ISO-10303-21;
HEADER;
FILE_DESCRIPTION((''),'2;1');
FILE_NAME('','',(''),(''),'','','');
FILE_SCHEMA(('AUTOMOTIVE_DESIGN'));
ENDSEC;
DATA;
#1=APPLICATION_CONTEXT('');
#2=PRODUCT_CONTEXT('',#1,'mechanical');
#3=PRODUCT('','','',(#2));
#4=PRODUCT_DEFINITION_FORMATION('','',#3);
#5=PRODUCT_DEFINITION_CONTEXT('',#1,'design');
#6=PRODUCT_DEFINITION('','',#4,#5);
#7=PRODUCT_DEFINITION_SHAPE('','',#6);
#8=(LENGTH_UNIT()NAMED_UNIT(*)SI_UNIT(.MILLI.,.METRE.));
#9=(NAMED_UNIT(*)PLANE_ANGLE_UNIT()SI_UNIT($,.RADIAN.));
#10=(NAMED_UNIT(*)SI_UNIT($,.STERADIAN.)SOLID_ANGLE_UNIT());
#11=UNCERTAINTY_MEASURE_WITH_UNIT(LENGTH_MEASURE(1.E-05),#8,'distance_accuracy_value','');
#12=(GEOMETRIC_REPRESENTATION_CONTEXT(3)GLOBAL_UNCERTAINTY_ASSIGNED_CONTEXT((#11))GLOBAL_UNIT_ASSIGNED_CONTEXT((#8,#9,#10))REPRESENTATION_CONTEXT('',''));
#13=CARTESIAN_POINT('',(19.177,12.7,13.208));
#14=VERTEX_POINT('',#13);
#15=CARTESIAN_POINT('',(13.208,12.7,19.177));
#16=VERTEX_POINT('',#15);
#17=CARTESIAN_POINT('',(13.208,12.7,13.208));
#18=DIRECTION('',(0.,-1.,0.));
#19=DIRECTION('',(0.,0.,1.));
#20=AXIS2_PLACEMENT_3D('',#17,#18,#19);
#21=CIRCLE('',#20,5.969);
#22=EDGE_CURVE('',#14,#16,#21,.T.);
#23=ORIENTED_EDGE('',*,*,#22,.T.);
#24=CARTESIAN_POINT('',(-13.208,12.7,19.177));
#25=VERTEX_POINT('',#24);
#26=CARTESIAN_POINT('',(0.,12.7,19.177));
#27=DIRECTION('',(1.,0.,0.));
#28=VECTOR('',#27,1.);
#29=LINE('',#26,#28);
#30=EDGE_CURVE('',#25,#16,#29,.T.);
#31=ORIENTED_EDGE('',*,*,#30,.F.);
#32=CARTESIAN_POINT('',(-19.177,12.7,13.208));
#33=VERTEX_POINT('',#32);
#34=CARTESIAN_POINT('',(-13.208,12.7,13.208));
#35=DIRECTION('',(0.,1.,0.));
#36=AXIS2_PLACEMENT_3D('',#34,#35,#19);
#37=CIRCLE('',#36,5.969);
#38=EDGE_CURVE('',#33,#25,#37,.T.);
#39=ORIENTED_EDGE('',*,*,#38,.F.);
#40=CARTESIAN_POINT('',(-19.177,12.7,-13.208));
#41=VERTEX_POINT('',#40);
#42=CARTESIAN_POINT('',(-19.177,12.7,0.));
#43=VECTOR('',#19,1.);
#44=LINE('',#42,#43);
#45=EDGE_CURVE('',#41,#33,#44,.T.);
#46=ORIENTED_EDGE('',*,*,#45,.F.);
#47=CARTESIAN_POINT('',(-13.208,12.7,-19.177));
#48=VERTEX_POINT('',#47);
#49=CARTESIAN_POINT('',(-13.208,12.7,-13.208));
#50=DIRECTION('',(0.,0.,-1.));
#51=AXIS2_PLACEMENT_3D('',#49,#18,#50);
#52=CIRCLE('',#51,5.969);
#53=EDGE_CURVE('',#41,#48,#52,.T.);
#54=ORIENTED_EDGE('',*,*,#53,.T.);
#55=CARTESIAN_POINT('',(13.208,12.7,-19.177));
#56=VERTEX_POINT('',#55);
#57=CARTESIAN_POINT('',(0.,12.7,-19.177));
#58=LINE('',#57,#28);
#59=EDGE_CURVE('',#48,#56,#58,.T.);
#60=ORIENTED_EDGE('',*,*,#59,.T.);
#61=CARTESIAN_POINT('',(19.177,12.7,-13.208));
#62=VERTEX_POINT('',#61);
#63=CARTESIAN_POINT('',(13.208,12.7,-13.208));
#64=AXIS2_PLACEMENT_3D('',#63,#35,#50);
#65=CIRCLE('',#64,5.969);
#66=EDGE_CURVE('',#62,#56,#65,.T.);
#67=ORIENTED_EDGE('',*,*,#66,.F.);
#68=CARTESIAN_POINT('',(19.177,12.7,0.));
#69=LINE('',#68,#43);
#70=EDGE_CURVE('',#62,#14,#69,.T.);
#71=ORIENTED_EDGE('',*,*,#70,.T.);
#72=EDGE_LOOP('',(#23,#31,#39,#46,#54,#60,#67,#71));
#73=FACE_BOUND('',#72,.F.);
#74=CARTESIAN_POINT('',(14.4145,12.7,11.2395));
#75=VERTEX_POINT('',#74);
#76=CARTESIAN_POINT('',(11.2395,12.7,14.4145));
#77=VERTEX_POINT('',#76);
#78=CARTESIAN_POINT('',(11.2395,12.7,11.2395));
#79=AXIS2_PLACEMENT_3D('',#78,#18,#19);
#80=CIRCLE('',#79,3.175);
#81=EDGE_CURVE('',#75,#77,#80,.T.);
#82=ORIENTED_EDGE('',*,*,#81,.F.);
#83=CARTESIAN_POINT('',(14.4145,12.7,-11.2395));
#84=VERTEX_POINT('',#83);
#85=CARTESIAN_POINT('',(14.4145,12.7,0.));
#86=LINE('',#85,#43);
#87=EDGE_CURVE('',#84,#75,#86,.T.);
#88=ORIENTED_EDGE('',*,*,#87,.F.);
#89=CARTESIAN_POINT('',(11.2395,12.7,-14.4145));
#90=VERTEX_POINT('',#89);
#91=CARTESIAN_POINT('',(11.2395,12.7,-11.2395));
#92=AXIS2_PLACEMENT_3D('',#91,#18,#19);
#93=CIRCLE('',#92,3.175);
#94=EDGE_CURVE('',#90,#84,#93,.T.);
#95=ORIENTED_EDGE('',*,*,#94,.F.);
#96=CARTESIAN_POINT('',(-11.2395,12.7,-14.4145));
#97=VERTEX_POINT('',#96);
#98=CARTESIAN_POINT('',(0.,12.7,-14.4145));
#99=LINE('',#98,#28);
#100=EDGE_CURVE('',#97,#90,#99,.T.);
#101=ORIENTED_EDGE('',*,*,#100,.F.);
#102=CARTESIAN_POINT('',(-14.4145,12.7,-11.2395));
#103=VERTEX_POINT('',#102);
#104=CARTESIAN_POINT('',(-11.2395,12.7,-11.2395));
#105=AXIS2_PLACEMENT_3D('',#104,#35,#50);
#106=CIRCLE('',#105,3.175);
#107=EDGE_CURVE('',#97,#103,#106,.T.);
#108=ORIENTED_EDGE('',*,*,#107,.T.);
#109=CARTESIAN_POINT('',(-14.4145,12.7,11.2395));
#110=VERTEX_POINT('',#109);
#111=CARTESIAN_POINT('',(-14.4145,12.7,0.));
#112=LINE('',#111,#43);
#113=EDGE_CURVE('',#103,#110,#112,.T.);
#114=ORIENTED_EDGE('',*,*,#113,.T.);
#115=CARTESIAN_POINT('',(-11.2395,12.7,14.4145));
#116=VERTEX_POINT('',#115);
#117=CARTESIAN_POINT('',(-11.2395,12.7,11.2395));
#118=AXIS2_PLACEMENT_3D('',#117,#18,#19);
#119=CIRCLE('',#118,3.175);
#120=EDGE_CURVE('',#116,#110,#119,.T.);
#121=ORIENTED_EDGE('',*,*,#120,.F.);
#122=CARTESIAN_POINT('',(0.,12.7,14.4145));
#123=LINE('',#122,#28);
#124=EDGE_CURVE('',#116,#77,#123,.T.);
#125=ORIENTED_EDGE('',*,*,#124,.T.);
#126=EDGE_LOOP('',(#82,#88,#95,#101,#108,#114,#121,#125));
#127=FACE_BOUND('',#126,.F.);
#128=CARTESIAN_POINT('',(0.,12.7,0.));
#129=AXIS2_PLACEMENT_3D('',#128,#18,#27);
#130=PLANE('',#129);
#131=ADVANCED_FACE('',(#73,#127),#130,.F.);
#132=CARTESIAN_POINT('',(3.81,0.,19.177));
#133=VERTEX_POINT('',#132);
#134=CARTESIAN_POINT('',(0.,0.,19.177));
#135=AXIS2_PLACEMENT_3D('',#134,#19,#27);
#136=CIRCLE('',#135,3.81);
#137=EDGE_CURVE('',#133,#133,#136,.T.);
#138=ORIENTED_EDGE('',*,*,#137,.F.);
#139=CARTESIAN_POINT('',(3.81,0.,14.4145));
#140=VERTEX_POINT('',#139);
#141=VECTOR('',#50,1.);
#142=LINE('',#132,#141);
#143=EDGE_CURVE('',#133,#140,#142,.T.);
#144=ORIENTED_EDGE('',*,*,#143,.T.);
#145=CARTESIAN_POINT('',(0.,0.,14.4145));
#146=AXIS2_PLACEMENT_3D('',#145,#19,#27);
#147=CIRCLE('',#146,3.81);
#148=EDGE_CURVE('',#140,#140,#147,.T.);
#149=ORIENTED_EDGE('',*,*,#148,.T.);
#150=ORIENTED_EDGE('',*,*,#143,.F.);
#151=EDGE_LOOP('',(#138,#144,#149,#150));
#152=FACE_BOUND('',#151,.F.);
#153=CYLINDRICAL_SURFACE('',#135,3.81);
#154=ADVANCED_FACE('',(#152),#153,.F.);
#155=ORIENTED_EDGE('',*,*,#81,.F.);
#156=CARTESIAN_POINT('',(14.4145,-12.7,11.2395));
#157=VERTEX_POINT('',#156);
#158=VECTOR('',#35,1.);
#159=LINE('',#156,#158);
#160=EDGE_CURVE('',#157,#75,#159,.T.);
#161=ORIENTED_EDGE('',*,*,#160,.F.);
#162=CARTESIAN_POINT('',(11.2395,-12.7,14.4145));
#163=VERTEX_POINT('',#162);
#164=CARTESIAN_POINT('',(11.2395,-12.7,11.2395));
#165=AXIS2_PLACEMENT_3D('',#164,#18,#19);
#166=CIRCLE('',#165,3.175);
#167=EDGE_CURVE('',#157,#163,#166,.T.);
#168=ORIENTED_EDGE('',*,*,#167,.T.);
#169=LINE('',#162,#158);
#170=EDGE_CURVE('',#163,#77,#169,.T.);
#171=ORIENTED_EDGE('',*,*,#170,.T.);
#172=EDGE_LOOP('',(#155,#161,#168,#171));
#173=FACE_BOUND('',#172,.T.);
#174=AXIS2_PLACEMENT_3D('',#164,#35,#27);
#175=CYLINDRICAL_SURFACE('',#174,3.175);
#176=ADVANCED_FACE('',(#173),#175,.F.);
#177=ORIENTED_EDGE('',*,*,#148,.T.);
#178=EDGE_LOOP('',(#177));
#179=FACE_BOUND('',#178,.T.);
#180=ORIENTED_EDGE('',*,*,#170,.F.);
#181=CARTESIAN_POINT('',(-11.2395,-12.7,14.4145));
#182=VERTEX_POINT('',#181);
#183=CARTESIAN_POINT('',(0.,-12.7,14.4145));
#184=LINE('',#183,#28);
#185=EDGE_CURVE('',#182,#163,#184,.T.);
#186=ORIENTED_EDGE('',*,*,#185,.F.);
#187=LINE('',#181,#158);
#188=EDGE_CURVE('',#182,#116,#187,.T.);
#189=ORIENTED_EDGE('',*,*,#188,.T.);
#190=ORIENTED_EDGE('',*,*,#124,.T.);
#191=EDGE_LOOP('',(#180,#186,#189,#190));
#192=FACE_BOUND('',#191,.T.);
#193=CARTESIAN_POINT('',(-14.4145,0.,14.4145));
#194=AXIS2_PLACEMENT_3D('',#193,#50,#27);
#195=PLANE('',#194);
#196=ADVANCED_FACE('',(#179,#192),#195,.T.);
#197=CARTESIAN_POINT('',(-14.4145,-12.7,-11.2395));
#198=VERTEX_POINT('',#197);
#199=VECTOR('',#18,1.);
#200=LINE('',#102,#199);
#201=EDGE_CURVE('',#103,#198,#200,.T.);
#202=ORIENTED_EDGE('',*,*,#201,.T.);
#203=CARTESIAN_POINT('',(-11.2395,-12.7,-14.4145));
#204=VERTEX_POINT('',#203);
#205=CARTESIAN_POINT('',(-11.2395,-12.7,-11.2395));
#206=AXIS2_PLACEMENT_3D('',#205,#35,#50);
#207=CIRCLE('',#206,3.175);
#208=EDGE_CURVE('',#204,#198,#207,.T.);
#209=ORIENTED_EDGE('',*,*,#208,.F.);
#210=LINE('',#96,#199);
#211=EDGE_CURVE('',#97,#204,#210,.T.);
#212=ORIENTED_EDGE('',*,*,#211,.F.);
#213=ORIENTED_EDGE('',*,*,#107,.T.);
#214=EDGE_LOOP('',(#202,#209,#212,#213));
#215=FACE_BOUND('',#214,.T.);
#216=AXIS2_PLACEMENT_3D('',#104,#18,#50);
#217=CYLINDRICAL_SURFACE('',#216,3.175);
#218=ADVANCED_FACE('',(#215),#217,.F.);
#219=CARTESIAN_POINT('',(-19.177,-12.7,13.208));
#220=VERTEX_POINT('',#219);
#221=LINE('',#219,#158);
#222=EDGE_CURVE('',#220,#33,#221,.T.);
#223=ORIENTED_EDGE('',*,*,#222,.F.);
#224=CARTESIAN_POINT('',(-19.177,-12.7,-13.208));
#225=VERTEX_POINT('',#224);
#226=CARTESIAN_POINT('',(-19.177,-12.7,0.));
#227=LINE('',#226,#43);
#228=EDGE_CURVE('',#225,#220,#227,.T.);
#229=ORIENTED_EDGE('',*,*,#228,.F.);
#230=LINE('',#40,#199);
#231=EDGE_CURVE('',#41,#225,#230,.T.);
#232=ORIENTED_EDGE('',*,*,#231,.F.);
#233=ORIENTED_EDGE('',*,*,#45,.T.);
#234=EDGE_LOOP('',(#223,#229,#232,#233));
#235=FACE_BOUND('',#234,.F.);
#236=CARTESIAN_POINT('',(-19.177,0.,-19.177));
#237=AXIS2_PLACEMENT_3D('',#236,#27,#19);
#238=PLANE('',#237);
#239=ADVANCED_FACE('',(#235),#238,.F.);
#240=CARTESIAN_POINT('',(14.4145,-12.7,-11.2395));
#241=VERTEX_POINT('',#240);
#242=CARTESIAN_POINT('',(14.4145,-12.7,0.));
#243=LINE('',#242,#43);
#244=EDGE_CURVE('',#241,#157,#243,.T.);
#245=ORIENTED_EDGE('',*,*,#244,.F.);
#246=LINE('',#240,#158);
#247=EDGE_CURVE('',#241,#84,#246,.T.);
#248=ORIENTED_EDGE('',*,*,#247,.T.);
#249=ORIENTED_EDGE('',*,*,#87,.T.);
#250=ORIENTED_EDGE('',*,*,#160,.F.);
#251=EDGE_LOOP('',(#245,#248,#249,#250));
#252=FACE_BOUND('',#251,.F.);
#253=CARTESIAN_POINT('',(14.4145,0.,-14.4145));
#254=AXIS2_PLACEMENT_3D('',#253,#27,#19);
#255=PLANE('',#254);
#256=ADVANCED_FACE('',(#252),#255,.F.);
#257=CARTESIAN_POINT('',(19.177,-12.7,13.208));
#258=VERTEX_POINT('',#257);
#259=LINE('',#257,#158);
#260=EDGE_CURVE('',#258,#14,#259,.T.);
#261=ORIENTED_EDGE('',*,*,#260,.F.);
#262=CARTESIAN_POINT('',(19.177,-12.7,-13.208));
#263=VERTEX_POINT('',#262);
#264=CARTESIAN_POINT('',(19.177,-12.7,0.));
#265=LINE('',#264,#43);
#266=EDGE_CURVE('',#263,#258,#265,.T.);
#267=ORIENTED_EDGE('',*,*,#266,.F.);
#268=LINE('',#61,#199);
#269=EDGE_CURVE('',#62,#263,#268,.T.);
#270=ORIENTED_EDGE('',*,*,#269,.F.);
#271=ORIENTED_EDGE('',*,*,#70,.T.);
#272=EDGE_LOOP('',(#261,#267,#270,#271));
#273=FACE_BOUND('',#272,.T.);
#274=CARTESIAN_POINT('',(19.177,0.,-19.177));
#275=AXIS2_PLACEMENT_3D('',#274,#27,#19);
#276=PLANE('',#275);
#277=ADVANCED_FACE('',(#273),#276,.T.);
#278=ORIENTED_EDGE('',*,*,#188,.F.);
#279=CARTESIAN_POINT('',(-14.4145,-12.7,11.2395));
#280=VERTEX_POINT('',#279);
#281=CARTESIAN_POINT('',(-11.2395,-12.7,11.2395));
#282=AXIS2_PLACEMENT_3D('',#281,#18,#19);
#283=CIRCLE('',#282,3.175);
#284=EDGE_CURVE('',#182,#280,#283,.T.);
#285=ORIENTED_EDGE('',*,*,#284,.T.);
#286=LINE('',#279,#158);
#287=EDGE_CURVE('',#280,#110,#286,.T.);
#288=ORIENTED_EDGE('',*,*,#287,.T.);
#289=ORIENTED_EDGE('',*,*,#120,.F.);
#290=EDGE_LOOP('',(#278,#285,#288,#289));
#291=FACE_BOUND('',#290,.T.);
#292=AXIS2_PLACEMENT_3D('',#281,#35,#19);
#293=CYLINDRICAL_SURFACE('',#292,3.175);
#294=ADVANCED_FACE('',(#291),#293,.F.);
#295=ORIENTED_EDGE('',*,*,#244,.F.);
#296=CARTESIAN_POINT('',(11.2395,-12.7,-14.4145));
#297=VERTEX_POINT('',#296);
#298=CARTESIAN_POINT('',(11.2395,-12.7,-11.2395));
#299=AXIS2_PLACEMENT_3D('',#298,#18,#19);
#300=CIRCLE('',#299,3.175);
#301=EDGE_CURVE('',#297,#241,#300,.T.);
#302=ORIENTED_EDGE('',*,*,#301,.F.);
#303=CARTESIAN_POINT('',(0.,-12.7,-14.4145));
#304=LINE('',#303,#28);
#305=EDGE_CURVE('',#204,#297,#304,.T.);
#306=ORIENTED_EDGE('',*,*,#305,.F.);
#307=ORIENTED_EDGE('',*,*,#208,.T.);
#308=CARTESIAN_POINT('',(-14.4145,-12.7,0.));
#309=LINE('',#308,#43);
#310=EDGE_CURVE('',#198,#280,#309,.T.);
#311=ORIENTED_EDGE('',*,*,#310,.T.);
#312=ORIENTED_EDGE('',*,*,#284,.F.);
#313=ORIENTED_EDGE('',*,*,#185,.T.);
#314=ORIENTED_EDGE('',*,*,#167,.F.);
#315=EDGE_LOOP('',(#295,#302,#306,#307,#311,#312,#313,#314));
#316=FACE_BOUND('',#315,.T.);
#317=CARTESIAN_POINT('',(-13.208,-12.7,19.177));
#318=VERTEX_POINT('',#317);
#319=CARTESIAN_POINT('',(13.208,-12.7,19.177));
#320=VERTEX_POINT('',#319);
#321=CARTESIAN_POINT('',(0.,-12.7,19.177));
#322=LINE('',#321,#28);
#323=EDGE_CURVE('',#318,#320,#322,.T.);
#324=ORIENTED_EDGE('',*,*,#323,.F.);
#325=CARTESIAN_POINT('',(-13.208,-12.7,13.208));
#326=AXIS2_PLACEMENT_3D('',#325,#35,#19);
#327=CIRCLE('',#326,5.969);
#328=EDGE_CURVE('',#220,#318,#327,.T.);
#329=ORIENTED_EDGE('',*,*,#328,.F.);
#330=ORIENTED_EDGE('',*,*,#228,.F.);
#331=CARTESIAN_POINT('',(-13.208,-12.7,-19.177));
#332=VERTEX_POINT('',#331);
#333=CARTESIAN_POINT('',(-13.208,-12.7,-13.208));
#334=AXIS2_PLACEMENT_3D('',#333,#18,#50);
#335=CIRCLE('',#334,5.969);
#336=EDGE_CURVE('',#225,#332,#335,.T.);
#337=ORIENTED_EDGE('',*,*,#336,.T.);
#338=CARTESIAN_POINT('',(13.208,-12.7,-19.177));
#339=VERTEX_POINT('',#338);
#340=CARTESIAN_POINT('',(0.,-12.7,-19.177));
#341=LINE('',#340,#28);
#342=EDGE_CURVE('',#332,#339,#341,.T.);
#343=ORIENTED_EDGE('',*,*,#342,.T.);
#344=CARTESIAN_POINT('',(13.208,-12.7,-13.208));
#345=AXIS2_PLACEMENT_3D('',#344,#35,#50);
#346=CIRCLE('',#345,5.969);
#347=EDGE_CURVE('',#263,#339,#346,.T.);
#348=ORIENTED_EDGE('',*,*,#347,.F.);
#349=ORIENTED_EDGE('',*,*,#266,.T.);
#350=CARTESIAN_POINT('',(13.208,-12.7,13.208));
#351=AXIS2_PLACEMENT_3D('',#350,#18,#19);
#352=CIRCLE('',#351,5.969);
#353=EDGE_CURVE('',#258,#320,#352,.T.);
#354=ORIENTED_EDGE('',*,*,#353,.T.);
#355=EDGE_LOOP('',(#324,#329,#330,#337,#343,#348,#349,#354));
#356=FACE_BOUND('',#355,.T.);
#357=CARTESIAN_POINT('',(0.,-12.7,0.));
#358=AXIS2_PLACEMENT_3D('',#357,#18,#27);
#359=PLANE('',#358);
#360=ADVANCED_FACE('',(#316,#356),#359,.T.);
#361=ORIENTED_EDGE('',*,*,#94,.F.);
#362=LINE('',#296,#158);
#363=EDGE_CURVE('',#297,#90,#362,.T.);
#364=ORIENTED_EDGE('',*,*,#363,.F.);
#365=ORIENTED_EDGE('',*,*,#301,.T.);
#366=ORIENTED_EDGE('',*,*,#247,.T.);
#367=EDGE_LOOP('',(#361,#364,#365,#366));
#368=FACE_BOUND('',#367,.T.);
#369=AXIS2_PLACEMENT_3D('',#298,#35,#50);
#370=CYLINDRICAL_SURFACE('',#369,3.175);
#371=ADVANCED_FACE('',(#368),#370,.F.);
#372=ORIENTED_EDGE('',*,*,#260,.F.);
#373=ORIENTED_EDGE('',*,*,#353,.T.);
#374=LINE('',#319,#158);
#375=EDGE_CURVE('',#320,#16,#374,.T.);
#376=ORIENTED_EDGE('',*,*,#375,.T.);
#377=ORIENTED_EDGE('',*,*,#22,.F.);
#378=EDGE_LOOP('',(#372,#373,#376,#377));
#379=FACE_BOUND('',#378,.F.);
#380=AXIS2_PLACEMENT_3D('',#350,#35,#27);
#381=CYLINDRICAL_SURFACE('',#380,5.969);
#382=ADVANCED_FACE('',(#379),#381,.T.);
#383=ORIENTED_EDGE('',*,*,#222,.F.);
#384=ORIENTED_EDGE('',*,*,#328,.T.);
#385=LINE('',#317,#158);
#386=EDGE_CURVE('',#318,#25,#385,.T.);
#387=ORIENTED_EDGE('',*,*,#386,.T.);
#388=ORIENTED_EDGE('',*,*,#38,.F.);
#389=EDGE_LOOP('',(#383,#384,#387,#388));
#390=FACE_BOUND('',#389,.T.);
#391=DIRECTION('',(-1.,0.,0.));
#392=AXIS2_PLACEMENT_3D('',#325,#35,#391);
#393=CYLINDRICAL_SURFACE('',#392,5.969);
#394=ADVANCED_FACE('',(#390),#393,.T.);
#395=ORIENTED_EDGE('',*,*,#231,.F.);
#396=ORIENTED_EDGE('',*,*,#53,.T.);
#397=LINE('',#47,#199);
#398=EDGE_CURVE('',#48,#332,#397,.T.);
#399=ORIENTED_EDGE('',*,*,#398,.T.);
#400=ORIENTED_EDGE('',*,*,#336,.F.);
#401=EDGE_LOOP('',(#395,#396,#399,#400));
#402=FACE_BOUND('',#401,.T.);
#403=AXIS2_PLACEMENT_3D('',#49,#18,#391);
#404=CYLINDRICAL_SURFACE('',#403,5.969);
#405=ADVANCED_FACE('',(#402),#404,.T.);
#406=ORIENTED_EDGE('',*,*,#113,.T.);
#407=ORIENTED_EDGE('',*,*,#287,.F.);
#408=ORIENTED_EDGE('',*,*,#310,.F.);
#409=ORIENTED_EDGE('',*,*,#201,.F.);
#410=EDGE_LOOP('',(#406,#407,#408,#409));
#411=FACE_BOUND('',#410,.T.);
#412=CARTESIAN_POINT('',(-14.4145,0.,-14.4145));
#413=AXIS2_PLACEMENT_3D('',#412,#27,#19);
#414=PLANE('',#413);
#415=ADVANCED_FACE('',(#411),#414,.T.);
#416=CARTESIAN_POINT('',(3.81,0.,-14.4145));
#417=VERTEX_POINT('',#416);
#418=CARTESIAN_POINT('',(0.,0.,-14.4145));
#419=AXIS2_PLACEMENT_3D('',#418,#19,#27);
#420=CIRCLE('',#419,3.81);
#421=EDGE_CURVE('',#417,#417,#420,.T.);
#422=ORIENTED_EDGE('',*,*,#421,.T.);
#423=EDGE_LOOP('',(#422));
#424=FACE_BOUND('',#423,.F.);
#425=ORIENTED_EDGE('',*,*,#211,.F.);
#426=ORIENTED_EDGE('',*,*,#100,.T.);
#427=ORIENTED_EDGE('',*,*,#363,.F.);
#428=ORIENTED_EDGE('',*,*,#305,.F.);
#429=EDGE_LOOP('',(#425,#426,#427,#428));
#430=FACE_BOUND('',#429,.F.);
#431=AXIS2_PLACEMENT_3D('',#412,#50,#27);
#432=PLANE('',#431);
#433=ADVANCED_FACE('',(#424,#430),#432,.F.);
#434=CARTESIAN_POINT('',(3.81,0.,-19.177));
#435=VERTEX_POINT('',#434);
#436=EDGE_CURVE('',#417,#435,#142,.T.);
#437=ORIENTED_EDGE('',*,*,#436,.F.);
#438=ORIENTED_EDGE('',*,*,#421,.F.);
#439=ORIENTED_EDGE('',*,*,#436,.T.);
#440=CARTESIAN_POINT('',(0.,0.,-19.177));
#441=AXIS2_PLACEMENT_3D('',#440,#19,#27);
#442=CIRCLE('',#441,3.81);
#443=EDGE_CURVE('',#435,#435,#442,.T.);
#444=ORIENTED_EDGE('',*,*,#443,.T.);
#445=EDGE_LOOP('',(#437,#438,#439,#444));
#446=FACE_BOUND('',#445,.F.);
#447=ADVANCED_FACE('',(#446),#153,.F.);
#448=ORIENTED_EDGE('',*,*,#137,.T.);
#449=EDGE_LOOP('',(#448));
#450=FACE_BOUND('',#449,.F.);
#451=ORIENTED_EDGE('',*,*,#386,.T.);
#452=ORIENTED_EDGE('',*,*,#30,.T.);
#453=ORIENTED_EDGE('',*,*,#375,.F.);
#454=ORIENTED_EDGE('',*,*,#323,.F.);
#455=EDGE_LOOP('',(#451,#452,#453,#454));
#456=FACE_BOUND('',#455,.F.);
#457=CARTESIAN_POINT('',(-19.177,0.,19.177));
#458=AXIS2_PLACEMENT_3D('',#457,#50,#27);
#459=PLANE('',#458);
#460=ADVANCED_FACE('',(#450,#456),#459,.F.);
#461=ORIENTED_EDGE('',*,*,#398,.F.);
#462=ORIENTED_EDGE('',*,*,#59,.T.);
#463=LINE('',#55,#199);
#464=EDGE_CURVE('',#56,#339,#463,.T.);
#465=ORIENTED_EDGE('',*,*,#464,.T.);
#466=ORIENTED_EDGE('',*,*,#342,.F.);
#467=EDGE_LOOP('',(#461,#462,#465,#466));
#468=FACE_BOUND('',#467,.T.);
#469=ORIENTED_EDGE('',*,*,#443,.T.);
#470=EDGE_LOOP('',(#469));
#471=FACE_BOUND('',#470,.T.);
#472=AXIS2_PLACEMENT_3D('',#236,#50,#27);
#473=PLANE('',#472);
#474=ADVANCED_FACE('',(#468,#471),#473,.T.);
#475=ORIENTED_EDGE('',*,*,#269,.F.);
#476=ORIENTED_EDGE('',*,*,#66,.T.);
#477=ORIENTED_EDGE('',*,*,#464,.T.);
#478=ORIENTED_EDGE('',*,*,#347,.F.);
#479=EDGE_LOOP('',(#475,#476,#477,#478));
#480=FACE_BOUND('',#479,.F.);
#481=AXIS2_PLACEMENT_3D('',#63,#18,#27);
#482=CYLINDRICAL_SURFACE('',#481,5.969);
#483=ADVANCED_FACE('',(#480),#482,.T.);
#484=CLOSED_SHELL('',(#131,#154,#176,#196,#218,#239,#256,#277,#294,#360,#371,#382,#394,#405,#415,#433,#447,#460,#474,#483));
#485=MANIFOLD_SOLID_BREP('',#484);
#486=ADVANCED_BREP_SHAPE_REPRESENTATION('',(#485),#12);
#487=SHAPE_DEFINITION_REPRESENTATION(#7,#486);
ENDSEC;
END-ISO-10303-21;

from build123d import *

# Parameters (mm, degrees)
F0_W     = 38.354
F0_H     = 38.354
F0_W_2   = 28.829
F0_H_2   = 28.829
F1_DEPTH = 12.7
F2_R     = 5.969
F3_R     = 3.175
F4_R     = 3.81
F5_DEPTH = 43.688


with BuildPart() as f1:
    # F0 (on Front) → F1 (new body, symmetric)
    with BuildSketch(Plane.XZ):
        Rectangle(F0_W, F0_H)
        Rectangle(F0_W_2, F0_H_2, mode=Mode.SUBTRACT)
    extrude(amount=F1_DEPTH, both=True)

    # F2
    f2_edges = [f1.edges().sort_by_distance(p)[0] for p in [
        (-19.177, 0, 19.177),
        (19.177, 0, 19.177),
        (19.177, 0, -19.177),
        (-19.177, 0, -19.177),
    ]]
    fillet(f2_edges, radius=F2_R)

    # F3
    f3_edges = [f1.edges().sort_by_distance(p)[0] for p in [
        (-14.4145, 0, 14.4145),
        (14.4145, 0, 14.4145),
        (14.4145, 0, -14.4145),
        (-14.4145, 0, -14.4145),
    ]]
    fillet(f3_edges, radius=F3_R)

    # F4 (on face) → F5 (cut)
    with BuildSketch(Plane.XY.offset(19.177)):
        Circle(F4_R)
    extrude(amount=-F5_DEPTH, mode=Mode.SUBTRACT)


solid = f1.part
